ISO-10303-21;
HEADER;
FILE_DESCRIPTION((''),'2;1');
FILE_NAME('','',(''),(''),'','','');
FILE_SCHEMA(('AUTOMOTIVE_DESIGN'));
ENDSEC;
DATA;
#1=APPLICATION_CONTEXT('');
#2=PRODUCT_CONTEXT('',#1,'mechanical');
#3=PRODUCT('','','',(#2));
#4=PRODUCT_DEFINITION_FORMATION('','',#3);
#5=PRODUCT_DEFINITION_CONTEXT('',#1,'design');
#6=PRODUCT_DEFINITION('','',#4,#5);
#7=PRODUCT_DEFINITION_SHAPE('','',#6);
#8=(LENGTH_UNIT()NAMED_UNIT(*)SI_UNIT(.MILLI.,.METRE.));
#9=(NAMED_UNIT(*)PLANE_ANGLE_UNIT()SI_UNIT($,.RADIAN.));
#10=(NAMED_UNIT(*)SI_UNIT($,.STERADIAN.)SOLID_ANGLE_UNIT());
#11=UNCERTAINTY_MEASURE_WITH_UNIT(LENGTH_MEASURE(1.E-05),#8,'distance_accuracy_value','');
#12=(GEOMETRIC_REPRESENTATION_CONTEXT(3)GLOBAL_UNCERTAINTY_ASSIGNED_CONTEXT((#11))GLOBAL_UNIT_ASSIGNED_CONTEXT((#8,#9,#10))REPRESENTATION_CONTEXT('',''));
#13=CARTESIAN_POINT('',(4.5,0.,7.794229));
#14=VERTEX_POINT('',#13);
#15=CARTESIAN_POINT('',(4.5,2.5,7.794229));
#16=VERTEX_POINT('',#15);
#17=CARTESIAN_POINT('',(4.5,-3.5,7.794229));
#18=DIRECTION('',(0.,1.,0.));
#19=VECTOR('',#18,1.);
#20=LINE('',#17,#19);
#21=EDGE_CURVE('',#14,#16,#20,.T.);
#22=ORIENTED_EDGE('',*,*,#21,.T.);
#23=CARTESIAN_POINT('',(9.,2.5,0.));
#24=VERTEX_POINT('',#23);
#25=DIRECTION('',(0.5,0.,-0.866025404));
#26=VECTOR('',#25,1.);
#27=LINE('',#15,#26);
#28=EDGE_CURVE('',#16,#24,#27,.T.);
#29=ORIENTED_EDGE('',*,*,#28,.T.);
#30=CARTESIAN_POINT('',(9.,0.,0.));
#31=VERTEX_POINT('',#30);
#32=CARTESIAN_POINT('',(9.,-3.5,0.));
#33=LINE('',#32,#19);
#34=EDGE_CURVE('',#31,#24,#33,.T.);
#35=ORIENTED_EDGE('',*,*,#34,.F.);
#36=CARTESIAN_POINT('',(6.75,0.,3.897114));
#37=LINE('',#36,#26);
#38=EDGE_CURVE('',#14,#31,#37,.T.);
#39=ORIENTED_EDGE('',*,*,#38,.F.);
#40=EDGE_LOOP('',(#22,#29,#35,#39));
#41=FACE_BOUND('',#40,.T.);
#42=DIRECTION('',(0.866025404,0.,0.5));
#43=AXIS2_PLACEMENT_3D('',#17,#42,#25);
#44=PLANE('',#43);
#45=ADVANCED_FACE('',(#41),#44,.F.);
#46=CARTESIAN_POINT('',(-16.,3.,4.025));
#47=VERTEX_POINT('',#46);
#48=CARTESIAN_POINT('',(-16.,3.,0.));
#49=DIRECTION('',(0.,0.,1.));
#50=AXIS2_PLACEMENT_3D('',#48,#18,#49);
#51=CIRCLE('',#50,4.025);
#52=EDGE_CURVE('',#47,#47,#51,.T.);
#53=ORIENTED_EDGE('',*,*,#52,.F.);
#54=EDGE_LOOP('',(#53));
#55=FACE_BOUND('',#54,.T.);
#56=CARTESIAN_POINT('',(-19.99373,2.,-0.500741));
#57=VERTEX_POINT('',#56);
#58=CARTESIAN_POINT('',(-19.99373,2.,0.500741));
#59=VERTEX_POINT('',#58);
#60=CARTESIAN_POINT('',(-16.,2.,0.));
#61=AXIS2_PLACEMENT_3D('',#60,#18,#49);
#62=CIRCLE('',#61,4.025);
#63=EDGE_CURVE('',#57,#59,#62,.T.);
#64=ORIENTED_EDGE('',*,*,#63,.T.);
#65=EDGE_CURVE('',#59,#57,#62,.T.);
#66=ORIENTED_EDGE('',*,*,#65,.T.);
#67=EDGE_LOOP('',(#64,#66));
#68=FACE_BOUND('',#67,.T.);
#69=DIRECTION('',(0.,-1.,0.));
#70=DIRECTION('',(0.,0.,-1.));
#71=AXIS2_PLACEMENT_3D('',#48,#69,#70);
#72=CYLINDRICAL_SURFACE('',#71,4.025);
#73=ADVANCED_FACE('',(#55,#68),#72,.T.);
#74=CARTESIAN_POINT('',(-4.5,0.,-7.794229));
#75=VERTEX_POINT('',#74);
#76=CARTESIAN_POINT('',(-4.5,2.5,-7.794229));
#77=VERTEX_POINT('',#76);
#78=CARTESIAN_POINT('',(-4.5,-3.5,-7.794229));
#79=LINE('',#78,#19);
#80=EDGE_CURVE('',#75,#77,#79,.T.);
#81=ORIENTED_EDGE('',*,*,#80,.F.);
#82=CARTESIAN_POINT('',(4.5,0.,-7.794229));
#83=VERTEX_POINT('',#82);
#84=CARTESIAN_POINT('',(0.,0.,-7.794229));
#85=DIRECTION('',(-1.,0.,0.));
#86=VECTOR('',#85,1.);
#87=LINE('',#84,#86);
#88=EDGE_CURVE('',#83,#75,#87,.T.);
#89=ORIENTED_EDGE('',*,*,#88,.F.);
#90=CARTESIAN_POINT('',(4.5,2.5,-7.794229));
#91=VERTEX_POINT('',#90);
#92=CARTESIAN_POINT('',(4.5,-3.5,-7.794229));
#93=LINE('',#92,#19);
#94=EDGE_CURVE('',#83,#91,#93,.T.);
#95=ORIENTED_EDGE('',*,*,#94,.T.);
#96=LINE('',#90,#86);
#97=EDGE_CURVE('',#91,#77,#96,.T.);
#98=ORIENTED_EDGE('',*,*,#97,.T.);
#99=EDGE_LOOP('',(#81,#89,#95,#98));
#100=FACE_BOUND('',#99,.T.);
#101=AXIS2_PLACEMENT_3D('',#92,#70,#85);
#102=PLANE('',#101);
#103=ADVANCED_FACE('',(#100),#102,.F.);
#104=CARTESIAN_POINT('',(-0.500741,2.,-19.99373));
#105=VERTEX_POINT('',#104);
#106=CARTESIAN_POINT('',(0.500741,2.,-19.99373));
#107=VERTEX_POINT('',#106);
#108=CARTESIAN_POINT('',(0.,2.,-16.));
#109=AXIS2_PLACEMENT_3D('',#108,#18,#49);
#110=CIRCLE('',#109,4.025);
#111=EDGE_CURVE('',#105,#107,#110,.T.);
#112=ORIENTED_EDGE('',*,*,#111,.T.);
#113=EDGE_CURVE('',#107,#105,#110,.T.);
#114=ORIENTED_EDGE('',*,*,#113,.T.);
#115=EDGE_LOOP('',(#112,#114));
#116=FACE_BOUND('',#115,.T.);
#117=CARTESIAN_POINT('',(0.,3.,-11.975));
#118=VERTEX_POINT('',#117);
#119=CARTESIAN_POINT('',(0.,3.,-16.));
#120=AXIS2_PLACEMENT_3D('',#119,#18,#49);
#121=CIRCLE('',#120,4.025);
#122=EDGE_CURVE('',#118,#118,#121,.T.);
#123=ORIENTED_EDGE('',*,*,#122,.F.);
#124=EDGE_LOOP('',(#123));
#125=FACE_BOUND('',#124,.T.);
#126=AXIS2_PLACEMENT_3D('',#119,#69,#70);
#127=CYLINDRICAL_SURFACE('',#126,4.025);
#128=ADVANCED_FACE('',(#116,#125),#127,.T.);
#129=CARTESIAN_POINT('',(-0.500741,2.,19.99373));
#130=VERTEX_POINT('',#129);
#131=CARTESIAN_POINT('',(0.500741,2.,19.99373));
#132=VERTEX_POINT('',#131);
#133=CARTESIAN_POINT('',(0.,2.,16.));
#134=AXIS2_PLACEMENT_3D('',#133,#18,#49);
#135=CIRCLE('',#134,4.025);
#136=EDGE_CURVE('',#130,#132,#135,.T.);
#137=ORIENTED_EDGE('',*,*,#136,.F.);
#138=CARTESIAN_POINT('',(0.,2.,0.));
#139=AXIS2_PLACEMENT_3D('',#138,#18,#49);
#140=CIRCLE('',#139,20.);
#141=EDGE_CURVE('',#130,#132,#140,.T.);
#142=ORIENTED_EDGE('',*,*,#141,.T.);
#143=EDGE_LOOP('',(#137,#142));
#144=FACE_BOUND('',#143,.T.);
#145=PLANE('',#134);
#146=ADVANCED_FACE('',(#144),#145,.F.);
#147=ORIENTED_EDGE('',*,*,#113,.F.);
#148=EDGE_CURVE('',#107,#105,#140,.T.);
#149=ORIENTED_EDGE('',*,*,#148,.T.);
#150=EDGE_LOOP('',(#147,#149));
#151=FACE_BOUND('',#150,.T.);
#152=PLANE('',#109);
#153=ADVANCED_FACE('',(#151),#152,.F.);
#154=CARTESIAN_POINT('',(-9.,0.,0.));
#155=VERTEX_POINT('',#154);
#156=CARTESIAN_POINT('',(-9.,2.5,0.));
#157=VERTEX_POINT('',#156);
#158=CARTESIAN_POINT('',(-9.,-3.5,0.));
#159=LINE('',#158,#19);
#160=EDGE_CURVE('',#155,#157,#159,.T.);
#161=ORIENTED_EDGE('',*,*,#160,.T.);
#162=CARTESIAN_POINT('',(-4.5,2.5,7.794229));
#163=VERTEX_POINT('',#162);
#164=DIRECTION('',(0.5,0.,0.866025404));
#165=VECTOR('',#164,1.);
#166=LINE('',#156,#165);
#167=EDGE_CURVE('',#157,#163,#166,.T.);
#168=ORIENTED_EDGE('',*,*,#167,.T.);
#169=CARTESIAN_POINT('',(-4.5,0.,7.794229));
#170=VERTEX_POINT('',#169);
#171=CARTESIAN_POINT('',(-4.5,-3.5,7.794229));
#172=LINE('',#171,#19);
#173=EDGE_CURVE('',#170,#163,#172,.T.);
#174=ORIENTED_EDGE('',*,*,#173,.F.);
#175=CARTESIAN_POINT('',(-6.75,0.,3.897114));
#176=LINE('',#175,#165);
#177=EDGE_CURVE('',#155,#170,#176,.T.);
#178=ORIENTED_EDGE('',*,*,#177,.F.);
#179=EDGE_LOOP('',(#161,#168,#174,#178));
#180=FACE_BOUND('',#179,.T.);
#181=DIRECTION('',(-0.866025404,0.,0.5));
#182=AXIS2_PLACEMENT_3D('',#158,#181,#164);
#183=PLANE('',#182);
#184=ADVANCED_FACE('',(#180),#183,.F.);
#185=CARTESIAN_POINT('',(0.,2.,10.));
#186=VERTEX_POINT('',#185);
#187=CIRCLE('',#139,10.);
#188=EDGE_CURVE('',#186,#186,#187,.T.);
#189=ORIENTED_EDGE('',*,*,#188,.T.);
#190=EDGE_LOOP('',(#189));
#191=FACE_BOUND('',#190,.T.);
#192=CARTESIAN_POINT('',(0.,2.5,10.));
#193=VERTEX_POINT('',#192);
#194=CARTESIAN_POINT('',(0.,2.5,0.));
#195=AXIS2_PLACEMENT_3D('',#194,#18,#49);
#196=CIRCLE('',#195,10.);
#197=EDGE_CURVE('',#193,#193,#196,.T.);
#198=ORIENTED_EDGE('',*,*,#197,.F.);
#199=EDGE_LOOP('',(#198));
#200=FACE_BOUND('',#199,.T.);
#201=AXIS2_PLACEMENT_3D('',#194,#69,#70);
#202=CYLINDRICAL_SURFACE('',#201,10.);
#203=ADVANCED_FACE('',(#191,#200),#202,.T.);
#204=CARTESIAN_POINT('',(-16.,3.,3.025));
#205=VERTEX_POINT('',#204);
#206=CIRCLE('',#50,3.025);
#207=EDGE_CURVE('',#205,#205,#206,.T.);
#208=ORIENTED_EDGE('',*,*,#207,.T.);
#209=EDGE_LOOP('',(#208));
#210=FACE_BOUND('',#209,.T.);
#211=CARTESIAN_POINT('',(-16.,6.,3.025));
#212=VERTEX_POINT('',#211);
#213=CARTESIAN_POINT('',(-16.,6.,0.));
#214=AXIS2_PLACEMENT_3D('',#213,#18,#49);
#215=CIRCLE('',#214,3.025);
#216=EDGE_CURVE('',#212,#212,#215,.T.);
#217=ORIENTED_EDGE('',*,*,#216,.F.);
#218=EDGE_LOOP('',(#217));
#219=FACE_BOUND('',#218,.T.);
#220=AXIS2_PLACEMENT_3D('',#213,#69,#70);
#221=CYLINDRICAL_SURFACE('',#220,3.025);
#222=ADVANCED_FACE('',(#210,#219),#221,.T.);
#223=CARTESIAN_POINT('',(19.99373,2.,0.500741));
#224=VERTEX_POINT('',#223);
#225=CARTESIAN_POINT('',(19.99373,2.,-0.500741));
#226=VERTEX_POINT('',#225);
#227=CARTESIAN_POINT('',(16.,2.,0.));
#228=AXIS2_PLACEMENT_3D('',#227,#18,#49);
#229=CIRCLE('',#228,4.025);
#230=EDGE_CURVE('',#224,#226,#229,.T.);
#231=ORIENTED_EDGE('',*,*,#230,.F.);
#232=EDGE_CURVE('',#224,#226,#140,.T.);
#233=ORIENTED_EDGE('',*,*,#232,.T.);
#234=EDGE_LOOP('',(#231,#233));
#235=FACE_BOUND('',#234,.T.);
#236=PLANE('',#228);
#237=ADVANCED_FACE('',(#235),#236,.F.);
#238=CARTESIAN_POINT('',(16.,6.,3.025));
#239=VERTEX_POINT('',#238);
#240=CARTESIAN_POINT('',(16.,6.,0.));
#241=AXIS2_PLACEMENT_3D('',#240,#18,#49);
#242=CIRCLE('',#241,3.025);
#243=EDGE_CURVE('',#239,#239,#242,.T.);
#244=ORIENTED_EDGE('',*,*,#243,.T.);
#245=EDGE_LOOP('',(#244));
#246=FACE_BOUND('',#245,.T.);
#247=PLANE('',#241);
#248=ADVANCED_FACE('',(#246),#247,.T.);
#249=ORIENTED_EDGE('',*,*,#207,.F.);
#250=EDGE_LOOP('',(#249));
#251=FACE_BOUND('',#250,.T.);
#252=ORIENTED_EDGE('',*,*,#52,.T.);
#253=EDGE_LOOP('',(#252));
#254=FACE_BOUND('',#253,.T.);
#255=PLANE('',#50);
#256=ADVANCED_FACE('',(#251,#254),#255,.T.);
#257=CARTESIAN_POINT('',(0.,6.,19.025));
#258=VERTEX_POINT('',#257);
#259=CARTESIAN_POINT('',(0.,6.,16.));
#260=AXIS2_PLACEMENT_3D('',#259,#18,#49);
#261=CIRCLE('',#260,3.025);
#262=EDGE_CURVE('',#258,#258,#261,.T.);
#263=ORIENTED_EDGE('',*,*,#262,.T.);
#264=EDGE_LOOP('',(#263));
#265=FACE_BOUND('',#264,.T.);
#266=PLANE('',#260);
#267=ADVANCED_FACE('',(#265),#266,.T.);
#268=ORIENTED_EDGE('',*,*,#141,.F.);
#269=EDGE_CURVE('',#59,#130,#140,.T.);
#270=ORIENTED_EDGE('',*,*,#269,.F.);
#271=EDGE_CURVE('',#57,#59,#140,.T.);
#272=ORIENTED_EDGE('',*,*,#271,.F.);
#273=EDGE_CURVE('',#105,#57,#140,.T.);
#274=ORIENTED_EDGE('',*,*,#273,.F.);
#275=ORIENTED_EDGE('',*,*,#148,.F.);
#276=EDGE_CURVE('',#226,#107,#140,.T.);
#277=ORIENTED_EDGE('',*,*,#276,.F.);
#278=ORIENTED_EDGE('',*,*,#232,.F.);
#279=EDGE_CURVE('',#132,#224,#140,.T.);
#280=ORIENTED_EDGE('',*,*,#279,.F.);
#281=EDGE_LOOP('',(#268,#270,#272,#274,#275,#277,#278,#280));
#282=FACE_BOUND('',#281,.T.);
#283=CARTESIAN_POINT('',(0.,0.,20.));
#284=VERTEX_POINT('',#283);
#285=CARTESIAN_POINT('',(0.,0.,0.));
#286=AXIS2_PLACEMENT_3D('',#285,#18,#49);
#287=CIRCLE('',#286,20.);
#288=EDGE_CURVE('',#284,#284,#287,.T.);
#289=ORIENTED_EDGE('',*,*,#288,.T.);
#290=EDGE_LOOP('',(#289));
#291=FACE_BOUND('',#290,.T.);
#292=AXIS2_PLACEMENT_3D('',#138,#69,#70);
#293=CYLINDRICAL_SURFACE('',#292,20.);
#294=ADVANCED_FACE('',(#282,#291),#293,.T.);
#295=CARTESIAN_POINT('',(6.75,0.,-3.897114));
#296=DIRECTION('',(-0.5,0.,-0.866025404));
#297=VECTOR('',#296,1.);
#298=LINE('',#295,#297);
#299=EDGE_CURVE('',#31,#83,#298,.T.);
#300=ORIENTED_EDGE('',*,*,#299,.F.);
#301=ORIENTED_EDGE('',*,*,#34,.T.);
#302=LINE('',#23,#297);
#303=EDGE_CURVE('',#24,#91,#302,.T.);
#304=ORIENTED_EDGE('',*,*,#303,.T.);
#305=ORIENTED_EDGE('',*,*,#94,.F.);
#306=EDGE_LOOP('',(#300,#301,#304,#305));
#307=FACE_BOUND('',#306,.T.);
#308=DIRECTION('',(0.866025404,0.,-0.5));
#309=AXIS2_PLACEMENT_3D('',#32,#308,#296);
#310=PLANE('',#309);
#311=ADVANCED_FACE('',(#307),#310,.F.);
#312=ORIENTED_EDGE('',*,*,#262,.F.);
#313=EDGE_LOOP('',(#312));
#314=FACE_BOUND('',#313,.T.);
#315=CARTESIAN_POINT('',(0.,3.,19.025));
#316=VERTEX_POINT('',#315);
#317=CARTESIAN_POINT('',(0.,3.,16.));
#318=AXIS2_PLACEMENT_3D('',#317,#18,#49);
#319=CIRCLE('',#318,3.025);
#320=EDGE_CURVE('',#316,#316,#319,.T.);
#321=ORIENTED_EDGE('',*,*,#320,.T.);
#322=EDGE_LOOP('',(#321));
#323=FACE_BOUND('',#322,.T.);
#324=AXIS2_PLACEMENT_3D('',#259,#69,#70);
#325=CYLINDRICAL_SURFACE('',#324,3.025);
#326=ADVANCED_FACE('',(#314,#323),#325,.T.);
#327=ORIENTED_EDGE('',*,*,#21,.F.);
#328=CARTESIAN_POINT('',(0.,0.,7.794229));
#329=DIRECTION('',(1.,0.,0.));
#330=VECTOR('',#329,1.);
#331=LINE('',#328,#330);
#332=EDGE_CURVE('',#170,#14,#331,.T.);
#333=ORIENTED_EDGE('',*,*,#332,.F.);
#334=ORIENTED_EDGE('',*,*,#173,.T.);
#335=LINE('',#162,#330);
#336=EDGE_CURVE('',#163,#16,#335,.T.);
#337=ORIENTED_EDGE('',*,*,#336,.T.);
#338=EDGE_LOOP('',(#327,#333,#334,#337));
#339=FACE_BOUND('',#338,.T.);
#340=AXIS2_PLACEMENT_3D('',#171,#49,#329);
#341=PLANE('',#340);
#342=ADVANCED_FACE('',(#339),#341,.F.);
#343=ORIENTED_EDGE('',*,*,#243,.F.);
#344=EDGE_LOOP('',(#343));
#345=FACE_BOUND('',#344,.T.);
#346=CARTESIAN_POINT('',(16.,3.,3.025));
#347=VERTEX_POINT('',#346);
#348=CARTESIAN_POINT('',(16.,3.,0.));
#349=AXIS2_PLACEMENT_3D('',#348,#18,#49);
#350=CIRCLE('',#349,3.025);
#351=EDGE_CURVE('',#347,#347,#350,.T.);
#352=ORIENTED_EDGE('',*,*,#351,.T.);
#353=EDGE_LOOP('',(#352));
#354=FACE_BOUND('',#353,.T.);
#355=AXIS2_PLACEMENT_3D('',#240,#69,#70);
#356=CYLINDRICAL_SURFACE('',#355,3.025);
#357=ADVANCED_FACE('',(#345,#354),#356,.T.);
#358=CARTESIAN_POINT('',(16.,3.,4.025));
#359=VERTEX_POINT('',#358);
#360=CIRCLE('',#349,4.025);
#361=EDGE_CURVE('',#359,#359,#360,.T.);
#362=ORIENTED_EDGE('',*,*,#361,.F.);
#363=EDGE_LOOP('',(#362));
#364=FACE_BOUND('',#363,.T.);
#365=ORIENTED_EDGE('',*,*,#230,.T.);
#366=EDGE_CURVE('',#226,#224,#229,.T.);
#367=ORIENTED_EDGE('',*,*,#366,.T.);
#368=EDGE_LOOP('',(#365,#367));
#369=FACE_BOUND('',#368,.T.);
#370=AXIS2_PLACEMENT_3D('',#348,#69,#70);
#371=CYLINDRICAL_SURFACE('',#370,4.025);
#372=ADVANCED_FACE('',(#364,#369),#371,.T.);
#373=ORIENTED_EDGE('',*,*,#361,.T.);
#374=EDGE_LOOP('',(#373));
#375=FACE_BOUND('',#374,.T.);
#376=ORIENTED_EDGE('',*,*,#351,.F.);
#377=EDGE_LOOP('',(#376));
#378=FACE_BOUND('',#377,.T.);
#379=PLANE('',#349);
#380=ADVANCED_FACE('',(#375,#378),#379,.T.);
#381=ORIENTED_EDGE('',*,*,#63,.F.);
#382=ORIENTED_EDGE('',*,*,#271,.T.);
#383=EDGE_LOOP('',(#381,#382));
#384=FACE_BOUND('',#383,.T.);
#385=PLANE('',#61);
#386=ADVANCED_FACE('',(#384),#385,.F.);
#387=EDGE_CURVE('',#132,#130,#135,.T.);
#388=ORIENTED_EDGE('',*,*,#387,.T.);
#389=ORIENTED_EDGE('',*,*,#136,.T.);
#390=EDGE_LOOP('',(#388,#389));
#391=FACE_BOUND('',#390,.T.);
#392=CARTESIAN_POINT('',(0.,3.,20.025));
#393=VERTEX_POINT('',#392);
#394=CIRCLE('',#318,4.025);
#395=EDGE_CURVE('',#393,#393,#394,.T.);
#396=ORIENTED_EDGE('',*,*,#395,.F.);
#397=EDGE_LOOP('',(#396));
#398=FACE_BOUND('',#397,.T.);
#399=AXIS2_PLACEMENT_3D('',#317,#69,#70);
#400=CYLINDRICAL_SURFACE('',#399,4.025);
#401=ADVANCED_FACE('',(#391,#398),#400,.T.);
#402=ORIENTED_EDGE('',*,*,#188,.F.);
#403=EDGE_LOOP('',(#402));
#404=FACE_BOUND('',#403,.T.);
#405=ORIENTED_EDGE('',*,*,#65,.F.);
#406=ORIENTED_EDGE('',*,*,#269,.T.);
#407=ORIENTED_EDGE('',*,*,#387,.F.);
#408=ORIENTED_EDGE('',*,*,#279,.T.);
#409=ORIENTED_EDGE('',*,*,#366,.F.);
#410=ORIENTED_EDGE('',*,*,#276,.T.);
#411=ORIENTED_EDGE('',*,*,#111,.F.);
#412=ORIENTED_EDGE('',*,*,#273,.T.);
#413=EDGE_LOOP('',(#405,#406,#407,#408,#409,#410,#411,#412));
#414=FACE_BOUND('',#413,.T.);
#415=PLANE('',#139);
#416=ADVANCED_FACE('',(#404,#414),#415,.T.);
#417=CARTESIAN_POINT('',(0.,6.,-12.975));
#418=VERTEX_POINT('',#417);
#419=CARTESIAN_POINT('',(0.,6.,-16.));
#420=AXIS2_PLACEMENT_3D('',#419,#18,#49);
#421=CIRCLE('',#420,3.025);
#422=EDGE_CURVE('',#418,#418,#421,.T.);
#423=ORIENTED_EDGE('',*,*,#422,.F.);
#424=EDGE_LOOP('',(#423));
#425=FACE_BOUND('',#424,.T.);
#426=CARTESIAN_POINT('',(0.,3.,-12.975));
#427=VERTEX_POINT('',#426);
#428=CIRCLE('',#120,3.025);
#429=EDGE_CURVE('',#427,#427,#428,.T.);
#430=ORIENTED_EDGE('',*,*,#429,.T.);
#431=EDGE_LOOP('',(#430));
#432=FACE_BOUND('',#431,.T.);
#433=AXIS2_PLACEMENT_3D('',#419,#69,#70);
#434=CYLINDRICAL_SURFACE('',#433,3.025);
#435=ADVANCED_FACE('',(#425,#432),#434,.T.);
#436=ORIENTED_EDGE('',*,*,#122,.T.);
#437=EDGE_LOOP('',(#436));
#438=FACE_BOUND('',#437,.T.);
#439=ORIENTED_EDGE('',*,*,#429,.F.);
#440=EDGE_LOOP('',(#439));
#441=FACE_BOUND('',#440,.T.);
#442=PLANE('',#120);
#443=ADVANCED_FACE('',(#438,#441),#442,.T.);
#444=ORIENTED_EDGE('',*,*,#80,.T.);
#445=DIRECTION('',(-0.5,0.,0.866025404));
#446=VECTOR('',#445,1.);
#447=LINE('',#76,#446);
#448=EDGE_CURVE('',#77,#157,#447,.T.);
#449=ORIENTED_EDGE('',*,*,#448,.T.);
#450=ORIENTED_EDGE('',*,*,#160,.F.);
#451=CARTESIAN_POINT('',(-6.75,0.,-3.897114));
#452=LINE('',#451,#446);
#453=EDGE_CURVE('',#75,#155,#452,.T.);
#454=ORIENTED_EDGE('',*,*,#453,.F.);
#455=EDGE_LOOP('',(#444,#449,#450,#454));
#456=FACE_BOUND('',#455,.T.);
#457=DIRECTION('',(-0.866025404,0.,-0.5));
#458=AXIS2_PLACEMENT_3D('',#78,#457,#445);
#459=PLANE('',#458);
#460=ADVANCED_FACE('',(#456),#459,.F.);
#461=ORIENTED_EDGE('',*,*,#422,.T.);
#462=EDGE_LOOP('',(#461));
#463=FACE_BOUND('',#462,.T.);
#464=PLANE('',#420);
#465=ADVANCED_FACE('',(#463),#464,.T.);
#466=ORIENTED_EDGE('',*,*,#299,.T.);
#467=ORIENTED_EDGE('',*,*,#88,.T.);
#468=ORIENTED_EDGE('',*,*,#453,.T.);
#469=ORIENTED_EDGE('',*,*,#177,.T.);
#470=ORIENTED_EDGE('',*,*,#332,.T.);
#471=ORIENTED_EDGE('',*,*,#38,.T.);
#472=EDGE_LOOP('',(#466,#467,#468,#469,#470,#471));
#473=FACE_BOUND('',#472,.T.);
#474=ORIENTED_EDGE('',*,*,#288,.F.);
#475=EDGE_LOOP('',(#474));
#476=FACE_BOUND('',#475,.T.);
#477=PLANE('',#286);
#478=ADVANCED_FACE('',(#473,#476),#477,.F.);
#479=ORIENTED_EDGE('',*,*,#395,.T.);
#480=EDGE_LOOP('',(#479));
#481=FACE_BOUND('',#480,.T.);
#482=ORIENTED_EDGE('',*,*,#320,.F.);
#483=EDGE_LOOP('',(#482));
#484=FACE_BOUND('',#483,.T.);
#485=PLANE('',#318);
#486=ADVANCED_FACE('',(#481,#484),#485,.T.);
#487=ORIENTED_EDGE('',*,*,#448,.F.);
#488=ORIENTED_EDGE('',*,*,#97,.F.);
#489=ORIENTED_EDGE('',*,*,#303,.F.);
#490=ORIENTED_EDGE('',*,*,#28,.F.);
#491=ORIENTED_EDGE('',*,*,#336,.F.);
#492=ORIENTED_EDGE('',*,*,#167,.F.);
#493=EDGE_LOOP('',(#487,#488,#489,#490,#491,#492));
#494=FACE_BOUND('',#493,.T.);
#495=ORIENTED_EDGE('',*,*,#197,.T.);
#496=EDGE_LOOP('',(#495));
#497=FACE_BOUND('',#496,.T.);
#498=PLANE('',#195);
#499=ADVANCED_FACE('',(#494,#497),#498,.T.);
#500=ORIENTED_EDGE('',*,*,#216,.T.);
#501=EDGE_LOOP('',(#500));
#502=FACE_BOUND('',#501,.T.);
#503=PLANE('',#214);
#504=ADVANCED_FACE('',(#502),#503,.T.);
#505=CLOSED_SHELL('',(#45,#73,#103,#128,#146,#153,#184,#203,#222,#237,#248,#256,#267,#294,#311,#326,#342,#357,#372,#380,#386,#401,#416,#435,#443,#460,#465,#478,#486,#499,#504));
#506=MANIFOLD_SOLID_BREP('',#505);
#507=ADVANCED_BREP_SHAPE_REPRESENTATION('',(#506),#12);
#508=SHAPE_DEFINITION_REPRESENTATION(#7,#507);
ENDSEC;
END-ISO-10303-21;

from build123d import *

# Parameters (mm, degrees)
ESQUISSE1_R             = 20
BOSS_EXTRU_1_DEPTH      = 2
ESQUISSE2_R             = 3.025
BOSS_EXTRU_2_DEPTH      = 4
ESQUISSE4_R             = 10
BOSS_EXTRU_3_DEPTH      = 0.5
ENL_V_MAT_EXTRU_1_DEPTH = 6
ESQUISSE5_R             = 4.025
BOSS_EXTRU_4_DEPTH      = 1


with BuildPart() as part:
    # Esquisse1 → Boss.-Extru.1 (new body)
    with BuildSketch(Plane(origin=(0, 0, 0), x_dir=(1, 0, 0), z_dir=(0, 1, 0))):
        Circle(ESQUISSE1_R)
    extrude(amount=BOSS_EXTRU_1_DEPTH)

    # Esquisse2 → Boss.-Extru.2 (add)
    with BuildSketch(Plane(origin=(0, 2, 0), x_dir=(1, 0, 0), z_dir=(0, 1, 0))):
        with Locations((0, 16)):
            Circle(ESQUISSE2_R)
        with Locations((16, 0)):
            Circle(ESQUISSE2_R)
        with Locations((0, -16)):
            Circle(ESQUISSE2_R)
        with Locations((-16, 0)):
            Circle(ESQUISSE2_R)
    extrude(amount=BOSS_EXTRU_2_DEPTH)

    # Esquisse4 → Boss.-Extru.3 (add)
    with BuildSketch(Plane(origin=(0, 2, 0), x_dir=(1, 0, 0), z_dir=(0, 1, 0))):
        Circle(ESQUISSE4_R)
    extrude(amount=BOSS_EXTRU_3_DEPTH)

    # Esquisse3 → Enlèv. mat.-Extru.1 (cut)
    with BuildSketch(Plane(origin=(0, 2.5, 0), x_dir=(1, 0, 0), z_dir=(0, 1, 0))):
        Polygon((4.5, -7.794228634), (9, 0), (4.5, 7.794228634), (-4.5, 7.794228634), (-9, 0), (-4.5, -7.794228634), align=None)
    extrude(amount=-ENL_V_MAT_EXTRU_1_DEPTH, mode=Mode.SUBTRACT)

    # Esquisse5 → Boss.-Extru.4 (add)
    with BuildSketch(Plane(origin=(0, 2, 0), x_dir=(1, 0, 0), z_dir=(0, 1, 0))):
        with Locations((16, 0)):
            Circle(ESQUISSE5_R)
        with Locations((0, 16)):
            Circle(ESQUISSE5_R)
        with Locations((0, -16)):
            Circle(ESQUISSE5_R)
        with Locations((-16, 0)):
            Circle(ESQUISSE5_R)
    extrude(amount=BOSS_EXTRU_4_DEPTH)


solid = part.part
